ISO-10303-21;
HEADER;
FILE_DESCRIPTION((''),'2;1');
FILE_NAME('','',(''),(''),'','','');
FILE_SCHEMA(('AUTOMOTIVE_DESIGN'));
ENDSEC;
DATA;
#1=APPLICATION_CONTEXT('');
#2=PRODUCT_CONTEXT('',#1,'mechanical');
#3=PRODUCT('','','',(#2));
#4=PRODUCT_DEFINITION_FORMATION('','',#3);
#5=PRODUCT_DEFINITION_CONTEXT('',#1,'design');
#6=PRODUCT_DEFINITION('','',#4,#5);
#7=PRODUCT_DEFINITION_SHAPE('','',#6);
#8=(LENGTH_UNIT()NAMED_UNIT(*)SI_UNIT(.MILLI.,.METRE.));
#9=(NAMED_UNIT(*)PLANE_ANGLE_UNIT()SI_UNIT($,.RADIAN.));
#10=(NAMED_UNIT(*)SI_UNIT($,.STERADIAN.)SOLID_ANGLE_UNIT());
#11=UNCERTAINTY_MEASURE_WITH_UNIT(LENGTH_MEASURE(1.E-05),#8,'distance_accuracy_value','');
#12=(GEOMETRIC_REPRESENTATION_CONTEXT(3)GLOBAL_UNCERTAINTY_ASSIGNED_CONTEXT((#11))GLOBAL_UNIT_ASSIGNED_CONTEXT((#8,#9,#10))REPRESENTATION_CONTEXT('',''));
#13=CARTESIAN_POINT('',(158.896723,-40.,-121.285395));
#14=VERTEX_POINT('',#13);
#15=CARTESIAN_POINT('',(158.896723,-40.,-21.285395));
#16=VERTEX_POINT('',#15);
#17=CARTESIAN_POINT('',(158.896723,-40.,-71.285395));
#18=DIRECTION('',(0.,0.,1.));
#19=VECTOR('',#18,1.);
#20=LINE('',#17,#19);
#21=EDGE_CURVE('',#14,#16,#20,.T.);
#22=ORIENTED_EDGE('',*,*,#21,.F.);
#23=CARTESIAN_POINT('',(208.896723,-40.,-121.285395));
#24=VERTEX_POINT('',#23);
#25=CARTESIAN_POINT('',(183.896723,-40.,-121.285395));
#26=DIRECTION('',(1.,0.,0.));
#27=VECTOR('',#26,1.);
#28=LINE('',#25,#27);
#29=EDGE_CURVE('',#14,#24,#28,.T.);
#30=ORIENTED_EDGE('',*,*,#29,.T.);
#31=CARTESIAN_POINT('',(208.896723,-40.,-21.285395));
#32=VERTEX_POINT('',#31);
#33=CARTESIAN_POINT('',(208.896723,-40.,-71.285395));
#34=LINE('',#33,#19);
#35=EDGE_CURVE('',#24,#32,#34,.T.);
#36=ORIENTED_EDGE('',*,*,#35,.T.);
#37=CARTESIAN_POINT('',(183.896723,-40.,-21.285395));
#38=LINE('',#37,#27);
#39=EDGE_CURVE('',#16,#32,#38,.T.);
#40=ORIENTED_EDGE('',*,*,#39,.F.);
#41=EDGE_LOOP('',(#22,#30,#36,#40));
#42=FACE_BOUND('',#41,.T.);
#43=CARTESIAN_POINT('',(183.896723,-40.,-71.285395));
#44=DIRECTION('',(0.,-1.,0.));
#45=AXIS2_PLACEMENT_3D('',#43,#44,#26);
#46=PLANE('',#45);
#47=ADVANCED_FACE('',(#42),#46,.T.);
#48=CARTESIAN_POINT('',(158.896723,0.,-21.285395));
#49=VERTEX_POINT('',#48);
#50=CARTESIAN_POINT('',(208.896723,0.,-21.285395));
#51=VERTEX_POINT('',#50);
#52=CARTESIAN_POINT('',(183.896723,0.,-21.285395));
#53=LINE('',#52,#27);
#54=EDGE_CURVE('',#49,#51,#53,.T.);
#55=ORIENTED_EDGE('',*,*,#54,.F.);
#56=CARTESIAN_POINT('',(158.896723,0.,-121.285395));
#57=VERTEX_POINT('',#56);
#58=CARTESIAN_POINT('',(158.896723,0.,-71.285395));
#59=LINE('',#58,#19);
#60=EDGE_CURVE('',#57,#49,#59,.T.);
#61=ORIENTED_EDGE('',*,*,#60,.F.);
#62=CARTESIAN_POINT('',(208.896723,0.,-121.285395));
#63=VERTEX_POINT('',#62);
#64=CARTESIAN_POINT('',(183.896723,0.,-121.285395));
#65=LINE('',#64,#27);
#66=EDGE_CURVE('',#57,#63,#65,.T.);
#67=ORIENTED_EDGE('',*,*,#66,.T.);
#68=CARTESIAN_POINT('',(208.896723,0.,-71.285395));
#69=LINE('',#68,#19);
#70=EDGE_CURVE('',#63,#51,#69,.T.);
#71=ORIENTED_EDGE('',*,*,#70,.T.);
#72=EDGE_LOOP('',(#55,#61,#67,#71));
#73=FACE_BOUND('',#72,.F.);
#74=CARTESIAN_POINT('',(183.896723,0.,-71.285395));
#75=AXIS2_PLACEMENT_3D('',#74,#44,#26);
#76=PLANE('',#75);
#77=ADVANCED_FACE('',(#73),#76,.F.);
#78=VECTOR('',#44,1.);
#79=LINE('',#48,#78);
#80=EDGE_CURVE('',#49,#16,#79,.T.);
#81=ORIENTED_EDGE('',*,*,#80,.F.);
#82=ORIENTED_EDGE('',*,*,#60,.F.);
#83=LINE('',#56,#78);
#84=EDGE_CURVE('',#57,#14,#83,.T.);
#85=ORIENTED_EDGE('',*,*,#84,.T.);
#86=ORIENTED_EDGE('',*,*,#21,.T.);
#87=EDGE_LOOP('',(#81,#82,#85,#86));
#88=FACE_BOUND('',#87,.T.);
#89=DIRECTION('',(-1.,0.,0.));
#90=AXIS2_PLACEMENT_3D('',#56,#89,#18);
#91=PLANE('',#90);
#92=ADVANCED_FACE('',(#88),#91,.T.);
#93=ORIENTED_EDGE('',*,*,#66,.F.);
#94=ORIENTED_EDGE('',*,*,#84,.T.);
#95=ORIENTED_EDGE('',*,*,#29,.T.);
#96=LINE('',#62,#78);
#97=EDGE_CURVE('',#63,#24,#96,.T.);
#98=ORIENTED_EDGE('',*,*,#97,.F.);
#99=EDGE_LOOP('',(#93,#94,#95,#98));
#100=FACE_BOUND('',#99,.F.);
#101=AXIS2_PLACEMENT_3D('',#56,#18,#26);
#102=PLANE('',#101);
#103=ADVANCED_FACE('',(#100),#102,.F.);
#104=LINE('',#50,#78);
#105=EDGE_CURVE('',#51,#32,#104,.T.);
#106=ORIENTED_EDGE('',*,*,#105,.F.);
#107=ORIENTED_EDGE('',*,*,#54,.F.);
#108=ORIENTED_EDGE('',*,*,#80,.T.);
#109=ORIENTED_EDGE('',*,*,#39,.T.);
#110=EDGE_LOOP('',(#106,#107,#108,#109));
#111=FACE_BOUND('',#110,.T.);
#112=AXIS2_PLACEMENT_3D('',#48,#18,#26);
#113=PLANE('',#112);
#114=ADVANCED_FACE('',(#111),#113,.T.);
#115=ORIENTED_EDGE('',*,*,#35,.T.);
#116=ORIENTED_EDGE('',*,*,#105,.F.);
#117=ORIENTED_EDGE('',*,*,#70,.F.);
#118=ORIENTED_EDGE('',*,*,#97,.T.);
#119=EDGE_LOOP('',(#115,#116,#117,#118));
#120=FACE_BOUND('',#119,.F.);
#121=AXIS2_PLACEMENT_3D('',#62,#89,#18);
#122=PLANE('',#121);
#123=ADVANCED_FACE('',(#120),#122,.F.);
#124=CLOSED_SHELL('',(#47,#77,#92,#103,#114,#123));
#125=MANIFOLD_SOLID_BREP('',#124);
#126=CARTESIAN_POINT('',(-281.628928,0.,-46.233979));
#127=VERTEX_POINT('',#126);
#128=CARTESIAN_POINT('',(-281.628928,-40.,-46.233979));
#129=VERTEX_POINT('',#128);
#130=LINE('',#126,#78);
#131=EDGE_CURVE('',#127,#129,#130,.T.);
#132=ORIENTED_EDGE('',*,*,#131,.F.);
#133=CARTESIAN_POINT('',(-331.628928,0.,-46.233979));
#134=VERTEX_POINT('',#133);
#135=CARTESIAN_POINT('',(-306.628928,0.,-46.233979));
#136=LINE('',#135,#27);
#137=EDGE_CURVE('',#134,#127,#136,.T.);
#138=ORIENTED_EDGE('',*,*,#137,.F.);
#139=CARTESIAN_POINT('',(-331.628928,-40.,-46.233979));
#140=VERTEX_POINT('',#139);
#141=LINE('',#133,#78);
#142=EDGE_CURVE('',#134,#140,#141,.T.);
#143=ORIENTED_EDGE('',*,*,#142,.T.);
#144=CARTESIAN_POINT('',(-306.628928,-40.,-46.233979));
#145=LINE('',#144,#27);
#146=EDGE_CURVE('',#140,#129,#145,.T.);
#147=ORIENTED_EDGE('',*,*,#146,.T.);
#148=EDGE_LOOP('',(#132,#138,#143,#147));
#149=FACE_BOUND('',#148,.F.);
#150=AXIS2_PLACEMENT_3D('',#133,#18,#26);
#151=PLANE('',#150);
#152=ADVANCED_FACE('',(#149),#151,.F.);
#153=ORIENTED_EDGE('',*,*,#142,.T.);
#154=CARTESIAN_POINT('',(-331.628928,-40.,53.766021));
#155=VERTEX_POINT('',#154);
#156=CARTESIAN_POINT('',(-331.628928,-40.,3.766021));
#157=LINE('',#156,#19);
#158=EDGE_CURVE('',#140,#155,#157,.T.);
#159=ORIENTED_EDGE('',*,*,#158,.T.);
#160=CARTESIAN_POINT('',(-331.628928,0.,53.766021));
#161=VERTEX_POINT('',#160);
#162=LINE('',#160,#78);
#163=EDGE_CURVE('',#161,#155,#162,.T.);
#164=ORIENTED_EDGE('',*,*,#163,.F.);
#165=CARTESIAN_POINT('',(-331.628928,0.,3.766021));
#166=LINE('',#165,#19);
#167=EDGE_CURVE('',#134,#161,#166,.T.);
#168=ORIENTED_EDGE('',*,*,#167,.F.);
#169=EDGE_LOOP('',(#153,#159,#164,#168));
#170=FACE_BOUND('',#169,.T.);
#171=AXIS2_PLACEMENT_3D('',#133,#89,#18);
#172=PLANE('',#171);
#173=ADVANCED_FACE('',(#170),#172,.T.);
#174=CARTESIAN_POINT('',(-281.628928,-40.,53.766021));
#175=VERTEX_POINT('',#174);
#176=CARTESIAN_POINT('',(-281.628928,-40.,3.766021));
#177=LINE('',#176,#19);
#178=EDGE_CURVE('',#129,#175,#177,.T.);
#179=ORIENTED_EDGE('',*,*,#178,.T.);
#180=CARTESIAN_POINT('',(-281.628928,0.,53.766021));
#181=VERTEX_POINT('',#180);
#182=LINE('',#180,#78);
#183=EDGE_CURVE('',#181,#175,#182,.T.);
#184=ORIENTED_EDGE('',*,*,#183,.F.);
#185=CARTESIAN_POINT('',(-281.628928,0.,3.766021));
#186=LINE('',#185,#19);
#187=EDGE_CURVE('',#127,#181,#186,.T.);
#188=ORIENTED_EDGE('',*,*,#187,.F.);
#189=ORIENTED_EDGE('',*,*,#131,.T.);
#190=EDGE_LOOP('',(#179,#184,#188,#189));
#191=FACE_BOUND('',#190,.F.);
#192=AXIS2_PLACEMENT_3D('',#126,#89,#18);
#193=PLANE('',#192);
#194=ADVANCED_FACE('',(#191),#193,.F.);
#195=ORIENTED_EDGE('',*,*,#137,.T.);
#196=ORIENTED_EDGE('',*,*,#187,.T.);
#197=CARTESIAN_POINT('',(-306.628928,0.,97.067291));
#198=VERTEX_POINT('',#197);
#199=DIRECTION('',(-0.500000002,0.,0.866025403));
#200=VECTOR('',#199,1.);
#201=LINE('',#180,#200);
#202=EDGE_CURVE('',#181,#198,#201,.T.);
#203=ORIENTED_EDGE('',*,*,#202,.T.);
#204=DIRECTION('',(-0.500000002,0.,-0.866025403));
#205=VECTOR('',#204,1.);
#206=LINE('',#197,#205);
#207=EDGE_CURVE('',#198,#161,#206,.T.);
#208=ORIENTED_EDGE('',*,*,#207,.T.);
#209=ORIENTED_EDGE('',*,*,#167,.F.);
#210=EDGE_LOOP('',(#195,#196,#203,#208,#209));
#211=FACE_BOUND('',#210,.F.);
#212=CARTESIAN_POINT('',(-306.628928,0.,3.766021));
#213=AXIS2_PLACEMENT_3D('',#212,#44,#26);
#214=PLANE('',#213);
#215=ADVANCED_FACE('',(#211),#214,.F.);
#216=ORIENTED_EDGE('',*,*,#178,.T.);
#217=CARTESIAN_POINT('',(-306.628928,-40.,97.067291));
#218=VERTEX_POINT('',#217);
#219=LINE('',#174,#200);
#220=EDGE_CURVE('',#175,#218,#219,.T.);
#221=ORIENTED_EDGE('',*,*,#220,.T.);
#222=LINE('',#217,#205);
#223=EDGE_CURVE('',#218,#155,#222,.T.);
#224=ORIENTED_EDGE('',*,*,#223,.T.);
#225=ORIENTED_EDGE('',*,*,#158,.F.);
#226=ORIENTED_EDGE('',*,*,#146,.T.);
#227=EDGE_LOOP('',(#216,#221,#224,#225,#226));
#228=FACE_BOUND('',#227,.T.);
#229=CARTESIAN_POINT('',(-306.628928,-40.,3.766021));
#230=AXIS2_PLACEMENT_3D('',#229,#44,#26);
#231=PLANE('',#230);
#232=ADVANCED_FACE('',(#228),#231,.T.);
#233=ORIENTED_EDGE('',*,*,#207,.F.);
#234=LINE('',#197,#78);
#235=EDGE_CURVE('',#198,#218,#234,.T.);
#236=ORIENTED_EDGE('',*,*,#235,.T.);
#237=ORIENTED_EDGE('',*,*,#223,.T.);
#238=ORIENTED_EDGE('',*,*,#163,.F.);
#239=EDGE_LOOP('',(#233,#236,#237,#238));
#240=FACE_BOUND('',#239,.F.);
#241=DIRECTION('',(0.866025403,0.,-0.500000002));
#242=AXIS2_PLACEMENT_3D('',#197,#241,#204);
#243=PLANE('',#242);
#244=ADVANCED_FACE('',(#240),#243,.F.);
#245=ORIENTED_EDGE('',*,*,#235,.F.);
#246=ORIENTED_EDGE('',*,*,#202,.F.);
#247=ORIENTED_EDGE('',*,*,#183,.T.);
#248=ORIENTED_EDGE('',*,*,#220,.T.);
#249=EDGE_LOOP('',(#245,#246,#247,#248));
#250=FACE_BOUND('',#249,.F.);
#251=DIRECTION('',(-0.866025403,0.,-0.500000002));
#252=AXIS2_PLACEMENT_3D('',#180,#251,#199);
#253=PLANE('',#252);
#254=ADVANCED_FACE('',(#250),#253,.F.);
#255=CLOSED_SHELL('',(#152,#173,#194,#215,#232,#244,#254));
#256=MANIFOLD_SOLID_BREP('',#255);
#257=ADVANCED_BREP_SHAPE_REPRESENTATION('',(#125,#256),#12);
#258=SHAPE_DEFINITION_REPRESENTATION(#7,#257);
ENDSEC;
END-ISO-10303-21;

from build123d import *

# Parameters (mm, degrees)
F0_W     = 50
F0_H     = 100
F1_DEPTH = 40
F2_W     = 50
F2_H     = 100
F3_DEPTH = 40


with BuildPart() as f1:
    # F0 (on Front) → F1 (new body)
    with BuildSketch(Plane.XZ):
        with Locations((-306.628928, 3.766021)):
            Rectangle(F0_W, F0_H)
        Polygon((-306.628928, 97.067291), (-331.628928, 53.766021), (-281.628928, 53.766021), align=None)
    extrude(amount=F1_DEPTH)


with BuildPart() as f3:
    # F2 (on Front) → F3 (new body)
    with BuildSketch(Plane.XZ):
        with Locations((183.896723, -71.285395)):
            Rectangle(F2_W, F2_H)
    extrude(amount=F3_DEPTH)


solid = Compound([f1.part, f3.part])
